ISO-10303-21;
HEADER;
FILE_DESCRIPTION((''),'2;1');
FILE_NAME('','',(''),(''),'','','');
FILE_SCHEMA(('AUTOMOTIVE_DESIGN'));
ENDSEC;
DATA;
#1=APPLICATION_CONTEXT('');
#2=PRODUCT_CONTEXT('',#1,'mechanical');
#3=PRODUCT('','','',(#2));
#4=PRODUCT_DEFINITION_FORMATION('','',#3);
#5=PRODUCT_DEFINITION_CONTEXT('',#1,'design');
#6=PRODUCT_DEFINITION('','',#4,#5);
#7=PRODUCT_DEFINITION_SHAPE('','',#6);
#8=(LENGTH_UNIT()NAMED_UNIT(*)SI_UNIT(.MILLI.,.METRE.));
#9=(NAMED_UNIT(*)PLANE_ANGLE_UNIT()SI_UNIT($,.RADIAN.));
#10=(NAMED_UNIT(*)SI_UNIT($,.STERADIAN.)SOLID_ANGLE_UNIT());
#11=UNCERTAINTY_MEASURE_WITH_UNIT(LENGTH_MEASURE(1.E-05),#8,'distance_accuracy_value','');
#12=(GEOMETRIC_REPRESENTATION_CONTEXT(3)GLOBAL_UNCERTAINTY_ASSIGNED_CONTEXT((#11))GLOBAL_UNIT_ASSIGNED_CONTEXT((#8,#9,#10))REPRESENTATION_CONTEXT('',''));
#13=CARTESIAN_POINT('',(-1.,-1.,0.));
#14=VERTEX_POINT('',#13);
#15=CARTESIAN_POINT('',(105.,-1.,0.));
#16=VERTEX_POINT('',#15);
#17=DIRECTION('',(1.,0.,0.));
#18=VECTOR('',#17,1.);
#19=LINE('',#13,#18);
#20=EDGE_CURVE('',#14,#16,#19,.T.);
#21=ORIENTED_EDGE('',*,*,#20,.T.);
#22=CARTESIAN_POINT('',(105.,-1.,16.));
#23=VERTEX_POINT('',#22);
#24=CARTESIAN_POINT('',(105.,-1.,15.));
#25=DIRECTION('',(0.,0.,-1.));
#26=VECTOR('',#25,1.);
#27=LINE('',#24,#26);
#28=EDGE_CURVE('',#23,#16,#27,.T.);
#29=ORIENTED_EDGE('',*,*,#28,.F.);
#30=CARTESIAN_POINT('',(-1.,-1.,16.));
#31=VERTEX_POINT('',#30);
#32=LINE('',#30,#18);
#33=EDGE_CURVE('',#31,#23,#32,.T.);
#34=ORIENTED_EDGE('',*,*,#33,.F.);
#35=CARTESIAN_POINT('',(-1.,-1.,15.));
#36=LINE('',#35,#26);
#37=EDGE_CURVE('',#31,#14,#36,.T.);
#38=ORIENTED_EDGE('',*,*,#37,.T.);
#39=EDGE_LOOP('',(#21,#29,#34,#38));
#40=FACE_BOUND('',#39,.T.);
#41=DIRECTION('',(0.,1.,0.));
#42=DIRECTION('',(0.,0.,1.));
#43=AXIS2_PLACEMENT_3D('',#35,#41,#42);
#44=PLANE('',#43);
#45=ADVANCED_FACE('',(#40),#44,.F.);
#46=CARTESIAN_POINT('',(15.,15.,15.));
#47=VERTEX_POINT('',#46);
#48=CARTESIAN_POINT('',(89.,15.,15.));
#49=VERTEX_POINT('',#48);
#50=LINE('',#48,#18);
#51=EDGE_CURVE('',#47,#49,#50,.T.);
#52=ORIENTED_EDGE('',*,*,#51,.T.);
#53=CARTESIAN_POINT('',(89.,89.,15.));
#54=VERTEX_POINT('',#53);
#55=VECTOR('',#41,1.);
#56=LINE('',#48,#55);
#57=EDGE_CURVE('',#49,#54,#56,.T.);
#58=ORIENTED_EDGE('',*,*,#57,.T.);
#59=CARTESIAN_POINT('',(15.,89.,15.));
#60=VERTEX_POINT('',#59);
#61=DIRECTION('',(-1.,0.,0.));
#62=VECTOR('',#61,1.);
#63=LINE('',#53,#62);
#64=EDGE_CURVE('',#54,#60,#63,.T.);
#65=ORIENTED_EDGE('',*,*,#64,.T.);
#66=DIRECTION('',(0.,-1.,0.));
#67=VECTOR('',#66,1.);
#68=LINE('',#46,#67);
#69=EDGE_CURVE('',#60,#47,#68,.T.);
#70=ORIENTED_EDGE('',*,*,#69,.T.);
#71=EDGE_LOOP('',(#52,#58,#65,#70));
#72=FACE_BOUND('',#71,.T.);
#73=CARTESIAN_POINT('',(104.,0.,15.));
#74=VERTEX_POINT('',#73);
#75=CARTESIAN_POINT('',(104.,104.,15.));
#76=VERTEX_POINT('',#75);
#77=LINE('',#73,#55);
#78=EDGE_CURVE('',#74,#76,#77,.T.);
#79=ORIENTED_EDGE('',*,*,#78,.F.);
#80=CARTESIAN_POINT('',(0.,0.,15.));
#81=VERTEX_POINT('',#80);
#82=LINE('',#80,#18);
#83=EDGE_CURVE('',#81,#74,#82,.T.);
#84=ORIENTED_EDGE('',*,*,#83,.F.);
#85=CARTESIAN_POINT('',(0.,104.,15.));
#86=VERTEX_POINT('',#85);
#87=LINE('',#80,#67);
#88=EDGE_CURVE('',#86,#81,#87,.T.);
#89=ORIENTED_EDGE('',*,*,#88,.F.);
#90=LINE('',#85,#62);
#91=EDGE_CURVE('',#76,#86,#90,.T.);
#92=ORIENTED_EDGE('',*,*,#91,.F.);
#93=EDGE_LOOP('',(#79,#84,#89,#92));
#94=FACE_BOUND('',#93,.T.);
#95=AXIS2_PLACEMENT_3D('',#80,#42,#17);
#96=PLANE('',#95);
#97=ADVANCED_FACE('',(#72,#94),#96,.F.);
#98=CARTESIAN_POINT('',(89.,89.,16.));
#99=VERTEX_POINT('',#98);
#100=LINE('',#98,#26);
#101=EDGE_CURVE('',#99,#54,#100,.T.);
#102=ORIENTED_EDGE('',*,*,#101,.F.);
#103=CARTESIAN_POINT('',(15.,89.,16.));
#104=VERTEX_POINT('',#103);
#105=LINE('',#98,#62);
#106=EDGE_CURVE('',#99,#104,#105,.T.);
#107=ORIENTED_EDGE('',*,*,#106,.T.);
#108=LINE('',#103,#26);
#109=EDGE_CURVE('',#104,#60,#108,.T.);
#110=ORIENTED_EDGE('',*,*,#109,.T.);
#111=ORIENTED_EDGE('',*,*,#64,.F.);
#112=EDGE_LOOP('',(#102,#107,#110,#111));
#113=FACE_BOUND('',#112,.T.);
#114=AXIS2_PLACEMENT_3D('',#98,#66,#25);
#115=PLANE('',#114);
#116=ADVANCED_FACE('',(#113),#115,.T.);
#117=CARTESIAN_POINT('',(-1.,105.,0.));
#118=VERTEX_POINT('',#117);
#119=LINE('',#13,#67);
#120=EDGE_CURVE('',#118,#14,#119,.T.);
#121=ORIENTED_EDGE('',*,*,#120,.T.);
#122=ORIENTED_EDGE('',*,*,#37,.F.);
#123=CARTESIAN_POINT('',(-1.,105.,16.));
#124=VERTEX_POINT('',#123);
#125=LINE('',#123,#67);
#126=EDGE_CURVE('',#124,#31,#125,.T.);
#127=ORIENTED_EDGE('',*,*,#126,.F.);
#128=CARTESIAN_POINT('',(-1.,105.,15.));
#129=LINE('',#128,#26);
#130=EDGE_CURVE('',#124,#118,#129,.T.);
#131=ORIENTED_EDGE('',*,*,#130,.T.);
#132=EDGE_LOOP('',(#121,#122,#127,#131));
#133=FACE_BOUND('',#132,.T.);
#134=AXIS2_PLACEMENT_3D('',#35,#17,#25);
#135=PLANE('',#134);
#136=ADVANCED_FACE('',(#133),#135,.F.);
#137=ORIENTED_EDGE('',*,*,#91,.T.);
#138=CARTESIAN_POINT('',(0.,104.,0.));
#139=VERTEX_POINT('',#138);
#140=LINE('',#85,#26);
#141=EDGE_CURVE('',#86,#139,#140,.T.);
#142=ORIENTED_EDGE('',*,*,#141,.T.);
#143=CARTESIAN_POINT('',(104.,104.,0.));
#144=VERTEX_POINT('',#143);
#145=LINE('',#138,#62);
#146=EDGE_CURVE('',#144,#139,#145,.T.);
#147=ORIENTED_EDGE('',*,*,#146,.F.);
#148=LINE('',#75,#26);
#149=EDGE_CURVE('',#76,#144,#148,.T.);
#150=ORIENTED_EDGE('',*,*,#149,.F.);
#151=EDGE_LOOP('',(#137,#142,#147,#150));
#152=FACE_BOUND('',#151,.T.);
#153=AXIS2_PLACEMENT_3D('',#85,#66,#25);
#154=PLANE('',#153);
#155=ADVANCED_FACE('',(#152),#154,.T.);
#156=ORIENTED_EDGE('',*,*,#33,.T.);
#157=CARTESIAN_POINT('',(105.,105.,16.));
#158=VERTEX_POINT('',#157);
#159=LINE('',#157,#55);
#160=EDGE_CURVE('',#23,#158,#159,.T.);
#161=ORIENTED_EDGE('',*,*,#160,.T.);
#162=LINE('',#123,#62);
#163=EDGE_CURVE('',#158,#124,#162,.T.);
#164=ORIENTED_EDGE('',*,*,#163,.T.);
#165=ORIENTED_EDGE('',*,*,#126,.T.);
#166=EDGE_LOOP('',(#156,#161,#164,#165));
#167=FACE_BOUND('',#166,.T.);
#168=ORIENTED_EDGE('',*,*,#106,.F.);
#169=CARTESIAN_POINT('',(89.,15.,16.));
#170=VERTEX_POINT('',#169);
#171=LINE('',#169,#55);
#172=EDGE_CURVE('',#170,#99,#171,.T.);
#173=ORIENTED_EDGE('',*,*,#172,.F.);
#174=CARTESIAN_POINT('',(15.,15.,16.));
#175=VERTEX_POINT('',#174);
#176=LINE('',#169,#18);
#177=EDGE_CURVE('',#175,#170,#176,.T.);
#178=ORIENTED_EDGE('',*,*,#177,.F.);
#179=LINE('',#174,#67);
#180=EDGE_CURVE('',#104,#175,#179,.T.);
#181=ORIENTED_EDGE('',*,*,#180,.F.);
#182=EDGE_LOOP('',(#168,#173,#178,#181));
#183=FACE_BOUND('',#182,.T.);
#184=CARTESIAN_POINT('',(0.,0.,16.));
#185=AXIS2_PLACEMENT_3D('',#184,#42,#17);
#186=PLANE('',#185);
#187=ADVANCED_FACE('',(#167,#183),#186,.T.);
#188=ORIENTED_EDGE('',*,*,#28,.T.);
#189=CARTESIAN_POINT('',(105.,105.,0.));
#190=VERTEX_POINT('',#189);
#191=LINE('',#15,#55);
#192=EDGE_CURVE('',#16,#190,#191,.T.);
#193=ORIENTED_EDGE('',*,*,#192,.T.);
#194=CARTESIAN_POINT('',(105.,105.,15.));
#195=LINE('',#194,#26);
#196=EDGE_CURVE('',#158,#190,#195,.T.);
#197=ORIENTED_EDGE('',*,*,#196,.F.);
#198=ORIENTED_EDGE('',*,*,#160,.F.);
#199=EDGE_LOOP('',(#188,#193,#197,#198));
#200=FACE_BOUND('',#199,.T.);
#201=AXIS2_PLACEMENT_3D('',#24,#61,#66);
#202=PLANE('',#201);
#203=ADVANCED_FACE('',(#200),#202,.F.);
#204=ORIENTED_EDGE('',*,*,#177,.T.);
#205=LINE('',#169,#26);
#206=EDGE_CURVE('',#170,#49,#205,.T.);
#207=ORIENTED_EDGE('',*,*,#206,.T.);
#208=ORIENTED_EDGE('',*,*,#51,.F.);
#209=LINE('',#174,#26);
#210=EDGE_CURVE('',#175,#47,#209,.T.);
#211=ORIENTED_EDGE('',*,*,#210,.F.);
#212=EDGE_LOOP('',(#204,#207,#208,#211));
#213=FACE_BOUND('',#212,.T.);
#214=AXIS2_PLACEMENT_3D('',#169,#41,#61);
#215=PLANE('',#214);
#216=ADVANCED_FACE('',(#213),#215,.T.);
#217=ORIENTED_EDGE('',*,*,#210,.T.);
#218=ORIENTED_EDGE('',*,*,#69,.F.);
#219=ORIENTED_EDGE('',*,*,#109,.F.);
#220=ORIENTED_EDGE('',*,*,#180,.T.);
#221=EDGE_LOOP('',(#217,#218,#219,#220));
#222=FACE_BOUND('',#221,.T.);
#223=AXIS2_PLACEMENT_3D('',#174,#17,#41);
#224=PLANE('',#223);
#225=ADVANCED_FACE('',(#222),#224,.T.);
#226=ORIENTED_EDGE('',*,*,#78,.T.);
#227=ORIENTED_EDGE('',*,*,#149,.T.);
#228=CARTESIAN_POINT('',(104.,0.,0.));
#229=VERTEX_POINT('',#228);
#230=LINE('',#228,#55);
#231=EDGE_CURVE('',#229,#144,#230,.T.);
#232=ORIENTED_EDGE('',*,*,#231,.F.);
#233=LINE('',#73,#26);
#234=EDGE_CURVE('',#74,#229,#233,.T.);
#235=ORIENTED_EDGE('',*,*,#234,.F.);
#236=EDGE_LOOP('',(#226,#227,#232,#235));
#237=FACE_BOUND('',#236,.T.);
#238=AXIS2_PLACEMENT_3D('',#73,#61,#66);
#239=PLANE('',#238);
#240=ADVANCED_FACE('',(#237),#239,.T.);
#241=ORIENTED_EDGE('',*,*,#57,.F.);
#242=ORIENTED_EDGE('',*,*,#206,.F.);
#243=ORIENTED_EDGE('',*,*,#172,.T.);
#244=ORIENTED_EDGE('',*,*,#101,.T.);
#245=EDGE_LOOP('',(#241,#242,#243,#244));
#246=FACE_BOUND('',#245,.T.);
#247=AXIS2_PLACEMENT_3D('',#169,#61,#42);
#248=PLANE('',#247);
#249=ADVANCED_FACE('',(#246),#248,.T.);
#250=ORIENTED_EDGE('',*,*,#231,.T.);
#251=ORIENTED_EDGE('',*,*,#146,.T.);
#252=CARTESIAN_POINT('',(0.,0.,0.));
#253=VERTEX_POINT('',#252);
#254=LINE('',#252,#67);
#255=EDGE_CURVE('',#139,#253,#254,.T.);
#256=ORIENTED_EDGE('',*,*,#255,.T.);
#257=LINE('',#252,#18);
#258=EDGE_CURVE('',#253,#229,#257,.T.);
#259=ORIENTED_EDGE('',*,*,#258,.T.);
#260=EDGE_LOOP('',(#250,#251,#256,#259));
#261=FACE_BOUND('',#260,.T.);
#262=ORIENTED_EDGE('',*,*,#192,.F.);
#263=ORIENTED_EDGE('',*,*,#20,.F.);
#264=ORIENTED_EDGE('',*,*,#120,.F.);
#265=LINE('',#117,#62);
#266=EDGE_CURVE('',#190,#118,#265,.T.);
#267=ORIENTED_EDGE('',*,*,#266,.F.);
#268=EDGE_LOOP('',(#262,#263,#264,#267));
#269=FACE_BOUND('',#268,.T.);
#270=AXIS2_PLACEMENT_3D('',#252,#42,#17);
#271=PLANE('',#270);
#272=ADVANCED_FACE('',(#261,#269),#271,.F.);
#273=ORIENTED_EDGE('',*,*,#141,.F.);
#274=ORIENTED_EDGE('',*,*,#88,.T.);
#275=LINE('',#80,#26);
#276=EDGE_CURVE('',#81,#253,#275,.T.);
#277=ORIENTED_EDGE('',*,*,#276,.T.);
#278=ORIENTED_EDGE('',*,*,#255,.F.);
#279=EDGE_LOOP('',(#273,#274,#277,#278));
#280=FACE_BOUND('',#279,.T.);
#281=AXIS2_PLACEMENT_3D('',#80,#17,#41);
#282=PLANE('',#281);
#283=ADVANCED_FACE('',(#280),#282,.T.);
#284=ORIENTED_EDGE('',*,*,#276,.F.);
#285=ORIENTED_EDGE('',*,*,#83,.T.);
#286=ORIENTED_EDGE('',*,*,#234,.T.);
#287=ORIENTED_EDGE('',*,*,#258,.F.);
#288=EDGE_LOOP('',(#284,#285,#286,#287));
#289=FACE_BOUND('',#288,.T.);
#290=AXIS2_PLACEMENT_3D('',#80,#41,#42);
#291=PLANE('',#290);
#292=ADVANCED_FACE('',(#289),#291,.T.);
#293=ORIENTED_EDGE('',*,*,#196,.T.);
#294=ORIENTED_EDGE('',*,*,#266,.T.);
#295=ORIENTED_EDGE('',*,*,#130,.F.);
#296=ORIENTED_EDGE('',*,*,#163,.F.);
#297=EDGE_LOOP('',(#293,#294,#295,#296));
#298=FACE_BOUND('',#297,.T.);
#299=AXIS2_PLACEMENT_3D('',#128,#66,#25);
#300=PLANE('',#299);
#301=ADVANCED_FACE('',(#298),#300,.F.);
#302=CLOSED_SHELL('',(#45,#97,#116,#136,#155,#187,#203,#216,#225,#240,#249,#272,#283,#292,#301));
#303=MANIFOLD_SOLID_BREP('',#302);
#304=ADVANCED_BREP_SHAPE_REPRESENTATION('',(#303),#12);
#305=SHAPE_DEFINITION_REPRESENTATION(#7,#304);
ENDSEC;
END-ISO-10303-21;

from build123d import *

# Parameters (mm, degrees)
SKETCH1_W           = 106
SKETCH1_H           = 106
SKETCH1_W_2         = 104
SKETCH1_H_2         = 104
BOSS_EXTRUDE1_DEPTH = 15
SKETCH2_W           = 106
SKETCH2_H           = 106
SKETCH2_W_2         = 74
SKETCH2_H_2         = 74
BOSS_EXTRUDE2_DEPTH = 1


with BuildPart() as part:
    # Sketch1 → Boss-Extrude1 (new body)
    with BuildSketch(Plane.XY):
        with Locations((52, 52)):
            Rectangle(SKETCH1_W, SKETCH1_H)
        with Locations((52, 52)):
            Rectangle(SKETCH1_W_2, SKETCH1_H_2, mode=Mode.SUBTRACT)
    extrude(amount=BOSS_EXTRUDE1_DEPTH)

    # Sketch2 → Boss-Extrude2 (add)
    with BuildSketch(Plane.XY.offset(15)):
        with Locations((52, 52)):
            Rectangle(SKETCH2_W, SKETCH2_H)
        with Locations((52, 52)):
            Rectangle(SKETCH2_W_2, SKETCH2_H_2, mode=Mode.SUBTRACT)
    extrude(amount=BOSS_EXTRUDE2_DEPTH)


solid = part.part
